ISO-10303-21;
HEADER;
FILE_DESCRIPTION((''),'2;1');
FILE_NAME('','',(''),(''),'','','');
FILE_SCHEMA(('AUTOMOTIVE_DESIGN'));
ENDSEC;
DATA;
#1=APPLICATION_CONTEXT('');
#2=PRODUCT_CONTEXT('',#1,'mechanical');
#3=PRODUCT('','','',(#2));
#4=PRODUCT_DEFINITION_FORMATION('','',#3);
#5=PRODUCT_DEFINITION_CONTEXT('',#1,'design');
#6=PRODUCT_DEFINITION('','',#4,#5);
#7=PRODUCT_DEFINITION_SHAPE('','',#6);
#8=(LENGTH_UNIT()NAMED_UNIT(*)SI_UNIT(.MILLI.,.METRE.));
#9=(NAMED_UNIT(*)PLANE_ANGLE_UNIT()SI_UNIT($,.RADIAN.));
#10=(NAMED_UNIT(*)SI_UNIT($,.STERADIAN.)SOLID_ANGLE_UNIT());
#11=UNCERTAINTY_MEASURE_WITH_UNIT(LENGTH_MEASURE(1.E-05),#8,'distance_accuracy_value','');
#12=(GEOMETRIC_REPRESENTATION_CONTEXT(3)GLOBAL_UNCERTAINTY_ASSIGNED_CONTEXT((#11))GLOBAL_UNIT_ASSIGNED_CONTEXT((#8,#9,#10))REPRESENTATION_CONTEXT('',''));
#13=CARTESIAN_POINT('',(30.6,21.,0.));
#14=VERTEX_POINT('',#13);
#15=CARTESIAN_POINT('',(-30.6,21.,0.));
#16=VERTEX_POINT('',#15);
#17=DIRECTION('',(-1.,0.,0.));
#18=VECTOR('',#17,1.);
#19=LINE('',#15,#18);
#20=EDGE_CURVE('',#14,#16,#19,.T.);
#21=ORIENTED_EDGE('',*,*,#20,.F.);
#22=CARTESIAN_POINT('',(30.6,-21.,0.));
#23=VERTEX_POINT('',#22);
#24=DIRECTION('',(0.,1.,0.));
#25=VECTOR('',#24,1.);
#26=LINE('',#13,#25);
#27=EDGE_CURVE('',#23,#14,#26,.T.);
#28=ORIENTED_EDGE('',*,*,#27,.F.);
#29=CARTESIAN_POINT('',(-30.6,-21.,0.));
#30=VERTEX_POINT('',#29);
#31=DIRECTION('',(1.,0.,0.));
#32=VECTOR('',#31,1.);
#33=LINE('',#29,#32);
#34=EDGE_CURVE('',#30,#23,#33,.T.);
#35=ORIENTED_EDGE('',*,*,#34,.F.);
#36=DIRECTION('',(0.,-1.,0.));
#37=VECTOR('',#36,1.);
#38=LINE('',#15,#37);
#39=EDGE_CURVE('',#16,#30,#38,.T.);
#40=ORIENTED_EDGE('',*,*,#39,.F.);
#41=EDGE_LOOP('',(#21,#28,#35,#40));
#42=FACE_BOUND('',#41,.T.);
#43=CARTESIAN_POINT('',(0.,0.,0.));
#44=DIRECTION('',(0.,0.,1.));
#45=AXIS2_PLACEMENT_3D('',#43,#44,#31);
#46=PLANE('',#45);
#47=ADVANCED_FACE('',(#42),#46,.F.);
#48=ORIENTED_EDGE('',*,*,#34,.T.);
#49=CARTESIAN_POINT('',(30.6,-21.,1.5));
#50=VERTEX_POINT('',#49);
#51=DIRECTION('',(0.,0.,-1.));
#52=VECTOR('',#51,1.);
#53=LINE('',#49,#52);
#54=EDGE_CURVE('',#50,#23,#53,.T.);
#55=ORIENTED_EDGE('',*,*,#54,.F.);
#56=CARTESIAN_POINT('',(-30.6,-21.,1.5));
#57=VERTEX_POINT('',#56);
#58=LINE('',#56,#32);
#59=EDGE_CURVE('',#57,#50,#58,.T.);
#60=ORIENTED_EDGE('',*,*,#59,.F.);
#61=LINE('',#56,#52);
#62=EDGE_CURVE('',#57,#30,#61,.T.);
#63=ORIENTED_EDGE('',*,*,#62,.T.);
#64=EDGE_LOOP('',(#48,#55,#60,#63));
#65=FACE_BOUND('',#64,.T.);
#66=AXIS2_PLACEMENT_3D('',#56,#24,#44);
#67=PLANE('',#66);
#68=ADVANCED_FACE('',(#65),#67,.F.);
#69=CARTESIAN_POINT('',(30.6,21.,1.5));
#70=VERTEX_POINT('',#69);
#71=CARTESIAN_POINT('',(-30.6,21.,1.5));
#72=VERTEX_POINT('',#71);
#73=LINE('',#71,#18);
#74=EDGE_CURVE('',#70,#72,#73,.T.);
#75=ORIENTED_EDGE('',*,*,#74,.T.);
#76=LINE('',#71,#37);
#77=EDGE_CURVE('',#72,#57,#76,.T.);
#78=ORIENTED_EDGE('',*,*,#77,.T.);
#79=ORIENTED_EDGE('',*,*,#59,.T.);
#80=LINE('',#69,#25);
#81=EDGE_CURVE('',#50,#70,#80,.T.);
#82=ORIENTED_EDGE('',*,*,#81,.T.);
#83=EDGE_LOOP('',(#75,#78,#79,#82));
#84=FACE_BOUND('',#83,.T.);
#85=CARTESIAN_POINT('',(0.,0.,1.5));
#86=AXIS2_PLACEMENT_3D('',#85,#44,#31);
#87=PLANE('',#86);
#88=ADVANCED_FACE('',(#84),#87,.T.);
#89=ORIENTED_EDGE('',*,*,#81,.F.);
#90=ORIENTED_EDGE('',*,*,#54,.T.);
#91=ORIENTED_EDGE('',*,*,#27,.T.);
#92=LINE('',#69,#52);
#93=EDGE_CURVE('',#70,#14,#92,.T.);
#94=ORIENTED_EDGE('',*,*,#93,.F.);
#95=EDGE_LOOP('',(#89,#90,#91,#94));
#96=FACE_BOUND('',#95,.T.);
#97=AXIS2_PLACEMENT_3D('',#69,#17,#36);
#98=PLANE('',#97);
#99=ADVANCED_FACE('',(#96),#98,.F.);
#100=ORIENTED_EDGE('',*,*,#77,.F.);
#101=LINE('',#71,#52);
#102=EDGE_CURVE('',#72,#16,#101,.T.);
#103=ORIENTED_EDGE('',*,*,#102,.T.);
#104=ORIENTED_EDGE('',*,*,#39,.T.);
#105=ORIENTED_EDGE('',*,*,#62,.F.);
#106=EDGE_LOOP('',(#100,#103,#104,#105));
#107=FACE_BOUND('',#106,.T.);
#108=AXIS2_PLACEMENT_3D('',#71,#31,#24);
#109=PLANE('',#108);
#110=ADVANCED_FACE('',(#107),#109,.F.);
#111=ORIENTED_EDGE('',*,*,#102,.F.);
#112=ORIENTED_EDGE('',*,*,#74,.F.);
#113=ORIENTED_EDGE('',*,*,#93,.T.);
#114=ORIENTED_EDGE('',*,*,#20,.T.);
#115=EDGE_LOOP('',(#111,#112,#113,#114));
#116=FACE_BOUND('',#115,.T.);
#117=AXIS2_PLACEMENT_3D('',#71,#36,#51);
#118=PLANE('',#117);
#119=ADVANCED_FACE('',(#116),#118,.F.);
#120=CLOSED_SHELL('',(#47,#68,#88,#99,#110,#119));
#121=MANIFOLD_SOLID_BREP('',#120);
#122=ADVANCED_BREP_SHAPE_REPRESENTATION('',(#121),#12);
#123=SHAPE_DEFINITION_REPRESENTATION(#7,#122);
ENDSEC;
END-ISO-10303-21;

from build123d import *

# Parameters (mm, degrees)
SKETCH_1_W      = 61.2
SKETCH_1_H      = 42
EXTRUDE_1_DEPTH = 1.5


with BuildPart() as part:
    # Эскиз1 → Бобышка-Вытянуть1 (new body)
    with BuildSketch(Plane.XY):
        Rectangle(SKETCH_1_W, SKETCH_1_H)
    extrude(amount=EXTRUDE_1_DEPTH)


solid = part.part
